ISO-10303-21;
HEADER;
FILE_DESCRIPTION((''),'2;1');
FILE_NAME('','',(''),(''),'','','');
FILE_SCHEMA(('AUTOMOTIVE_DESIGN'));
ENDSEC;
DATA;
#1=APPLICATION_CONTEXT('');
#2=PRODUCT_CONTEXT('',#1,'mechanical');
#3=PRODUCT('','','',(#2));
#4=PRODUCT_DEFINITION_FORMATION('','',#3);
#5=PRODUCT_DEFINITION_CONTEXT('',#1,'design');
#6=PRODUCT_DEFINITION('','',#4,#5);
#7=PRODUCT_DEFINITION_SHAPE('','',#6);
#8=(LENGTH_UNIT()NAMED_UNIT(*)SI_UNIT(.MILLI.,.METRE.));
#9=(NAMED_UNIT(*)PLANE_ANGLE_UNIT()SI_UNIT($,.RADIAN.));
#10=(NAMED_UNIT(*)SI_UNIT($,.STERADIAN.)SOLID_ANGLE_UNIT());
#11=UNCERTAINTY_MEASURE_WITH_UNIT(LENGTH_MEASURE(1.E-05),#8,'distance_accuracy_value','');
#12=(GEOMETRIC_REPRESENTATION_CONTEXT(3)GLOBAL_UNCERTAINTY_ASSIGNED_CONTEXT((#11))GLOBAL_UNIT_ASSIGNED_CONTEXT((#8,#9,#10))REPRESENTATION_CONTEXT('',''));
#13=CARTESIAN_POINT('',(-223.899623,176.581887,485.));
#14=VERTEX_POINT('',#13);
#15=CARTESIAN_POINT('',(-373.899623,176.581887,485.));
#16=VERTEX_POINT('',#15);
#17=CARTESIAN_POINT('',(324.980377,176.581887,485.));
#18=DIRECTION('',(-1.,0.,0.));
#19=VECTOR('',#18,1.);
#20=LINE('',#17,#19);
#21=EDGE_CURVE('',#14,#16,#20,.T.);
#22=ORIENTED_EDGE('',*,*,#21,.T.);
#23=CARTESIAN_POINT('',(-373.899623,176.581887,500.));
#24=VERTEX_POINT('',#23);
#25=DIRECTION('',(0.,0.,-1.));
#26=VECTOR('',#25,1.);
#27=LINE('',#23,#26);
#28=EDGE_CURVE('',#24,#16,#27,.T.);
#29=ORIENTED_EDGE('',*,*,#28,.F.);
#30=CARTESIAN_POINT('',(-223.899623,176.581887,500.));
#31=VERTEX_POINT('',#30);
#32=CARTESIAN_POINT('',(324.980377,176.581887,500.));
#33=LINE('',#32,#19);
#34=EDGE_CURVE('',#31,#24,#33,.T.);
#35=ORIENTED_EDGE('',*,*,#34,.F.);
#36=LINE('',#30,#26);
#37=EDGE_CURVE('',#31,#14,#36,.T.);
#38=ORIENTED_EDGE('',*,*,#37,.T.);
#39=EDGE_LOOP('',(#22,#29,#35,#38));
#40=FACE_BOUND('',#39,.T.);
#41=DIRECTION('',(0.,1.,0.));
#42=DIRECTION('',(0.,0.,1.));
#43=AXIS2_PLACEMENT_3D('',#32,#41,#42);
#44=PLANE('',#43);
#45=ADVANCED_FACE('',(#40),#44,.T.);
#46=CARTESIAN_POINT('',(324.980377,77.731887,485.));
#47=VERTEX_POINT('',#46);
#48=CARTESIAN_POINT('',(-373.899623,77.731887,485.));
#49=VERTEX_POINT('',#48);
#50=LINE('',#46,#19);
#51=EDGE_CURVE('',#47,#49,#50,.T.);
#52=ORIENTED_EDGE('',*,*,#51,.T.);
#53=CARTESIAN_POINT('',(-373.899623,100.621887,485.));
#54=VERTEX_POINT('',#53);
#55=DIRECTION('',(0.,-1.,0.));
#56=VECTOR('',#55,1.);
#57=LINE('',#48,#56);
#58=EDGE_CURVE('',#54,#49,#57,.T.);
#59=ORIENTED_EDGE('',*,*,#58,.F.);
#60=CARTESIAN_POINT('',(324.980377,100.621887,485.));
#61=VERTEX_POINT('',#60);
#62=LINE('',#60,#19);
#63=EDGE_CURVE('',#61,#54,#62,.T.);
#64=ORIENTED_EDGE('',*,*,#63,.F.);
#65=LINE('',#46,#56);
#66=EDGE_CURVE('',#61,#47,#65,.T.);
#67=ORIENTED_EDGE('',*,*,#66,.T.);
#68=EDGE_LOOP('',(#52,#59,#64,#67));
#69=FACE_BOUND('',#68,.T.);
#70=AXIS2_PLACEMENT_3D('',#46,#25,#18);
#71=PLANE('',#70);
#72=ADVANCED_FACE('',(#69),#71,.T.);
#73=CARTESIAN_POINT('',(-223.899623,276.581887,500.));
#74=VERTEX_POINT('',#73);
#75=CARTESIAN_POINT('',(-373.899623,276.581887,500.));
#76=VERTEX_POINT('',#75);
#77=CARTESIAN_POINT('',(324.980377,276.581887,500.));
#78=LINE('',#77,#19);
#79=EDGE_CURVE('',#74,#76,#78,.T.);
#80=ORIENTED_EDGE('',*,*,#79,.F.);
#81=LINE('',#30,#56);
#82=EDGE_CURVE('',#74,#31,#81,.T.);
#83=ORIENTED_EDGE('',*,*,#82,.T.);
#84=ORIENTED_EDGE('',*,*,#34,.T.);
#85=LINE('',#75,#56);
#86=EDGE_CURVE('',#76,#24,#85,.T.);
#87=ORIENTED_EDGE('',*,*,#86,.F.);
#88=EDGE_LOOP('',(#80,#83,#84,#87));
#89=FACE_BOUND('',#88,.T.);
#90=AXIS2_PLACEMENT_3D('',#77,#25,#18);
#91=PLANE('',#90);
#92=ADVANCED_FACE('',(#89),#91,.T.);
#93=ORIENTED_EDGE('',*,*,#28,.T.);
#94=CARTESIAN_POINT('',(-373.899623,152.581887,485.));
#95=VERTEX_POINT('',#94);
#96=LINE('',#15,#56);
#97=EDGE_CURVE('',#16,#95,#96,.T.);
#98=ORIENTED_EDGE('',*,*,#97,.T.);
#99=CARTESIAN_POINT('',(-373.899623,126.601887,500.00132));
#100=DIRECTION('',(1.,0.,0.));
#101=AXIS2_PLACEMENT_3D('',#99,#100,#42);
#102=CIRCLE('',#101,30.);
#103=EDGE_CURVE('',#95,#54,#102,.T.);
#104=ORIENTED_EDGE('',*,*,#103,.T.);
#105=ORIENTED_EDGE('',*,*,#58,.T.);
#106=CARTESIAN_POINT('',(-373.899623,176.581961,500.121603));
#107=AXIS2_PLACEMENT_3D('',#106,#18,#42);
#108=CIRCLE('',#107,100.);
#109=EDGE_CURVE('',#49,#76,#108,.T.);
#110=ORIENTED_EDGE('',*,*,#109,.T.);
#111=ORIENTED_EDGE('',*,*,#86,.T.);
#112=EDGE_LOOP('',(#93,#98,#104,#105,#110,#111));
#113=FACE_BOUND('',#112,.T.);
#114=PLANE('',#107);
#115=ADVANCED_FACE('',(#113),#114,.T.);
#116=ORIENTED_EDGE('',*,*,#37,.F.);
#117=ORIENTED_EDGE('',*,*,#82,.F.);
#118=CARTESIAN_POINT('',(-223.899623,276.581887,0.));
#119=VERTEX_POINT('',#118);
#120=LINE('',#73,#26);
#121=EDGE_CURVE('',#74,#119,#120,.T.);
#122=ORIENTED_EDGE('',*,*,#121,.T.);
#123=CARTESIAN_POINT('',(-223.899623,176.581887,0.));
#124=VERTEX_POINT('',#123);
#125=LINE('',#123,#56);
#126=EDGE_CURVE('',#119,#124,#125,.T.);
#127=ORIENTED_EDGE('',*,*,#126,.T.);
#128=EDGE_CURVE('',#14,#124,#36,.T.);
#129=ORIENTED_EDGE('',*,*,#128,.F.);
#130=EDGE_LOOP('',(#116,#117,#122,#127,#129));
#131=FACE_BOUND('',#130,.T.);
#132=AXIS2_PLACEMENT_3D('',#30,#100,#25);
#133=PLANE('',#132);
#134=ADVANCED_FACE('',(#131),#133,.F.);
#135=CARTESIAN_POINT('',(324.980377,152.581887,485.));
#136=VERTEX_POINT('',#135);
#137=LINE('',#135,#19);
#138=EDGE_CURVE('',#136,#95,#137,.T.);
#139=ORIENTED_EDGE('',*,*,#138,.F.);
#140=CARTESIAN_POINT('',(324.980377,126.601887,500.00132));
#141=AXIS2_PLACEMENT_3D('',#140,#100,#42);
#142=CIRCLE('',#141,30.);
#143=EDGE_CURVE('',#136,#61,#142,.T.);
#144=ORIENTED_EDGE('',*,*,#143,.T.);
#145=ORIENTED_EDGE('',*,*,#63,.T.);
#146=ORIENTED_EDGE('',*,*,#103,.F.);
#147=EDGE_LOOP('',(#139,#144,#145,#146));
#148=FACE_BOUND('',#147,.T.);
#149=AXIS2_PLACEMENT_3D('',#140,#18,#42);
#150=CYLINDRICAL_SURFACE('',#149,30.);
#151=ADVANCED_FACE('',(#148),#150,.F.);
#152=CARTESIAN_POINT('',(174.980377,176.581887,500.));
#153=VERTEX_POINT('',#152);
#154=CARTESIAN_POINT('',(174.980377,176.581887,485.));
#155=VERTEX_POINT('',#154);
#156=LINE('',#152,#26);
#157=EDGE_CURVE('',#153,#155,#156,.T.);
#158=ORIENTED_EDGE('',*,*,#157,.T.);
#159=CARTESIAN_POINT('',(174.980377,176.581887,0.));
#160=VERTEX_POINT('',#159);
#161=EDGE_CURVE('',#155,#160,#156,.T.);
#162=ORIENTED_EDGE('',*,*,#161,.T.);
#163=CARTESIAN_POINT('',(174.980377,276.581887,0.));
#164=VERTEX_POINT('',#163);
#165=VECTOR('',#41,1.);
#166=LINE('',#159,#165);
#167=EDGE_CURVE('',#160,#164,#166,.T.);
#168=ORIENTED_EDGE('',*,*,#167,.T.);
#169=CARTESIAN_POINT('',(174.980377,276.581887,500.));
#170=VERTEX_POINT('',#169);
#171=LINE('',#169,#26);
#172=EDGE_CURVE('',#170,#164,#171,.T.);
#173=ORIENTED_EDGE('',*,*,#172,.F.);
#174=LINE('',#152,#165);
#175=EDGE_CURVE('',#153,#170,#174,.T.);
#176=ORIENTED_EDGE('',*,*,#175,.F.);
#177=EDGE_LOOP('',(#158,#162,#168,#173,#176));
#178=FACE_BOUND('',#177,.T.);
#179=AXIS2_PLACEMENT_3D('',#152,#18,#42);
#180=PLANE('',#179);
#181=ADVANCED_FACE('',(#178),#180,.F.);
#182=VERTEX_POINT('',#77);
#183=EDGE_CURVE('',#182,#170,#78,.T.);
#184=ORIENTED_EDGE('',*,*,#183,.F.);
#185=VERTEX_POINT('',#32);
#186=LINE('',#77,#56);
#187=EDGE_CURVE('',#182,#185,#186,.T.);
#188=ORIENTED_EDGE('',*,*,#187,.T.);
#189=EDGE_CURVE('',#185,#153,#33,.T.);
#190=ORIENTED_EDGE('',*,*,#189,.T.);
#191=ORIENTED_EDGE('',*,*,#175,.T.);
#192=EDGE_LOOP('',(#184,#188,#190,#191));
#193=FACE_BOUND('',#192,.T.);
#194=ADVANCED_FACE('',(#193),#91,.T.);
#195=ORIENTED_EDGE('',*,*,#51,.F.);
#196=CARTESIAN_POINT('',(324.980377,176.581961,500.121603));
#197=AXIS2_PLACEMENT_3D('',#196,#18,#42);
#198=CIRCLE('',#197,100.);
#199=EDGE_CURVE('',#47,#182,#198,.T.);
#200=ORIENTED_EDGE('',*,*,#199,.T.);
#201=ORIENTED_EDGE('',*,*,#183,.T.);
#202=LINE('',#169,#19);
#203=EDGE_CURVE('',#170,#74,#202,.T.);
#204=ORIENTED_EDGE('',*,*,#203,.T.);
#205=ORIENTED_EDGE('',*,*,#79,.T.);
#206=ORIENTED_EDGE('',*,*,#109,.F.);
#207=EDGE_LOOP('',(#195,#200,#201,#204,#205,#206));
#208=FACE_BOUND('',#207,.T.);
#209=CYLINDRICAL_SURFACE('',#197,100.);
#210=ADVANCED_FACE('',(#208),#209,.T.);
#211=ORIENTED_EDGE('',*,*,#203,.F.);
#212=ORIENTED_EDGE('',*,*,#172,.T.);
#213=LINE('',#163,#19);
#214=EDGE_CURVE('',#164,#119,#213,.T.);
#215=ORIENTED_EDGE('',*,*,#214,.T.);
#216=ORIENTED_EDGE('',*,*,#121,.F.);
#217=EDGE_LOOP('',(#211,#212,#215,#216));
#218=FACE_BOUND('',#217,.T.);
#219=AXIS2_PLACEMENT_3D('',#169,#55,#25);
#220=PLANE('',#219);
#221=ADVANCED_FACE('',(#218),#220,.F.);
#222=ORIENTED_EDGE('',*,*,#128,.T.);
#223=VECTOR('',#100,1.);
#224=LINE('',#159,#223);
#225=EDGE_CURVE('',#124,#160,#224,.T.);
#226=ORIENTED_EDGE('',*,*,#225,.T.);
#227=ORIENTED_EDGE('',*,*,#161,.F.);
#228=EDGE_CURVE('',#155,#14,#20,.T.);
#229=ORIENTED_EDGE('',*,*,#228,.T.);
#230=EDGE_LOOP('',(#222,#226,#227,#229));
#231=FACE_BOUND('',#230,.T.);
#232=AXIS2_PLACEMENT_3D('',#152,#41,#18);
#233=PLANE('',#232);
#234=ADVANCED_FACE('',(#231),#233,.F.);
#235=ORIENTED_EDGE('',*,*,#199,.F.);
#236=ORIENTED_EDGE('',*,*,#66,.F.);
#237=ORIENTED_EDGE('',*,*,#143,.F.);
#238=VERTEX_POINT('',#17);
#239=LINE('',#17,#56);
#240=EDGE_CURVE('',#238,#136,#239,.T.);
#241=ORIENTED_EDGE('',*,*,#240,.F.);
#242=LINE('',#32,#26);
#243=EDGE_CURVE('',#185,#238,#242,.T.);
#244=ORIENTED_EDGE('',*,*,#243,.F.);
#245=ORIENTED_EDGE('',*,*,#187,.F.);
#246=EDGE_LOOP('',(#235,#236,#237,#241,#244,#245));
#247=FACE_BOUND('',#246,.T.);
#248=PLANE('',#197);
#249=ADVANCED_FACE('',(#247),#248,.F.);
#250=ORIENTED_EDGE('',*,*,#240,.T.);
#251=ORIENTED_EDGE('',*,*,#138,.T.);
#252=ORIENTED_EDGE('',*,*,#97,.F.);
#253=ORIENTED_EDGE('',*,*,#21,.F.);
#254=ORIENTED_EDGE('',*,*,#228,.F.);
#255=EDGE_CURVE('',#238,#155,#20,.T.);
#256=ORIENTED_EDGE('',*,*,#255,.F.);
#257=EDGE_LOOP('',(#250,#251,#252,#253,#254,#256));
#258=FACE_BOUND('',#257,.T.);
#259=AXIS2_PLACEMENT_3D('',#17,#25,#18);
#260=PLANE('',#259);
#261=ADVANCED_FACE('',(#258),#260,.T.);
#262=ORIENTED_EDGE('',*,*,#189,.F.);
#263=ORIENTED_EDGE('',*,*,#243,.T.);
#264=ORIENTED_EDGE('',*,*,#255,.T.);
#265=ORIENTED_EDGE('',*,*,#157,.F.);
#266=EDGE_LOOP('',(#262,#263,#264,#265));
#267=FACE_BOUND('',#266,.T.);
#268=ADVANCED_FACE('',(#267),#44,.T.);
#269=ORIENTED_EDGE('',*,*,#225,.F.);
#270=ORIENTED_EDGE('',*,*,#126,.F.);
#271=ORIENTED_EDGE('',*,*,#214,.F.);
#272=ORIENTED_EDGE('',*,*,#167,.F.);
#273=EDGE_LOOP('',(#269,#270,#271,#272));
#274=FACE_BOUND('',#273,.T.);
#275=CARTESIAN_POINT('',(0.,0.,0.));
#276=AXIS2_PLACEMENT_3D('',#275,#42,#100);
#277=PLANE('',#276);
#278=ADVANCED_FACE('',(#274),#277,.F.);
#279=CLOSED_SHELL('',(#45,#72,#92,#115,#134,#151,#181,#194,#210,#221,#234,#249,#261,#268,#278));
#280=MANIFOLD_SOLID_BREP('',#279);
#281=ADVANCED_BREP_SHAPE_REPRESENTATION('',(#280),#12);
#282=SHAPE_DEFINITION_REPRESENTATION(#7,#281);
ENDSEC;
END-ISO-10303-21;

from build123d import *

# Parameters (mm, degrees)
SKETCH1_W           = 398.88
SKETCH1_H           = 100
BOSS_EXTRUDE1_DEPTH = 500
BOSS_EXTRUDE2_DEPTH = 698.88


with BuildPart() as part:
    # Sketch1 → Boss-Extrude1 (new body)
    with BuildSketch(Plane.XY):
        with Locations((-24.459622642, 226.581886792)):
            Rectangle(SKETCH1_W, SKETCH1_H)
    extrude(amount=BOSS_EXTRUDE1_DEPTH)

    # Sketch2 → Boss-Extrude2 (add)
    with BuildSketch(Plane.ZY.offset(373.899622642)):
        with BuildLine():
            Line((500, 276.581886792), (500, 176.581886792))
            Line((500, 176.581886792), (485, 176.581886792))
            Line((485, 176.581886792), (485, 152.581886792))
            ThreePointArc((485, 152.581886792), (530.001319942, 126.601886792), (485, 100.621886792))
            Line((485, 100.621886792), (485, 77.731886792))
            ThreePointArc((485, 77.731886792), (599.838299174, 169.059957008), (500, 276.581886792))
        make_face()
    extrude(amount=-BOSS_EXTRUDE2_DEPTH)


solid = part.part
